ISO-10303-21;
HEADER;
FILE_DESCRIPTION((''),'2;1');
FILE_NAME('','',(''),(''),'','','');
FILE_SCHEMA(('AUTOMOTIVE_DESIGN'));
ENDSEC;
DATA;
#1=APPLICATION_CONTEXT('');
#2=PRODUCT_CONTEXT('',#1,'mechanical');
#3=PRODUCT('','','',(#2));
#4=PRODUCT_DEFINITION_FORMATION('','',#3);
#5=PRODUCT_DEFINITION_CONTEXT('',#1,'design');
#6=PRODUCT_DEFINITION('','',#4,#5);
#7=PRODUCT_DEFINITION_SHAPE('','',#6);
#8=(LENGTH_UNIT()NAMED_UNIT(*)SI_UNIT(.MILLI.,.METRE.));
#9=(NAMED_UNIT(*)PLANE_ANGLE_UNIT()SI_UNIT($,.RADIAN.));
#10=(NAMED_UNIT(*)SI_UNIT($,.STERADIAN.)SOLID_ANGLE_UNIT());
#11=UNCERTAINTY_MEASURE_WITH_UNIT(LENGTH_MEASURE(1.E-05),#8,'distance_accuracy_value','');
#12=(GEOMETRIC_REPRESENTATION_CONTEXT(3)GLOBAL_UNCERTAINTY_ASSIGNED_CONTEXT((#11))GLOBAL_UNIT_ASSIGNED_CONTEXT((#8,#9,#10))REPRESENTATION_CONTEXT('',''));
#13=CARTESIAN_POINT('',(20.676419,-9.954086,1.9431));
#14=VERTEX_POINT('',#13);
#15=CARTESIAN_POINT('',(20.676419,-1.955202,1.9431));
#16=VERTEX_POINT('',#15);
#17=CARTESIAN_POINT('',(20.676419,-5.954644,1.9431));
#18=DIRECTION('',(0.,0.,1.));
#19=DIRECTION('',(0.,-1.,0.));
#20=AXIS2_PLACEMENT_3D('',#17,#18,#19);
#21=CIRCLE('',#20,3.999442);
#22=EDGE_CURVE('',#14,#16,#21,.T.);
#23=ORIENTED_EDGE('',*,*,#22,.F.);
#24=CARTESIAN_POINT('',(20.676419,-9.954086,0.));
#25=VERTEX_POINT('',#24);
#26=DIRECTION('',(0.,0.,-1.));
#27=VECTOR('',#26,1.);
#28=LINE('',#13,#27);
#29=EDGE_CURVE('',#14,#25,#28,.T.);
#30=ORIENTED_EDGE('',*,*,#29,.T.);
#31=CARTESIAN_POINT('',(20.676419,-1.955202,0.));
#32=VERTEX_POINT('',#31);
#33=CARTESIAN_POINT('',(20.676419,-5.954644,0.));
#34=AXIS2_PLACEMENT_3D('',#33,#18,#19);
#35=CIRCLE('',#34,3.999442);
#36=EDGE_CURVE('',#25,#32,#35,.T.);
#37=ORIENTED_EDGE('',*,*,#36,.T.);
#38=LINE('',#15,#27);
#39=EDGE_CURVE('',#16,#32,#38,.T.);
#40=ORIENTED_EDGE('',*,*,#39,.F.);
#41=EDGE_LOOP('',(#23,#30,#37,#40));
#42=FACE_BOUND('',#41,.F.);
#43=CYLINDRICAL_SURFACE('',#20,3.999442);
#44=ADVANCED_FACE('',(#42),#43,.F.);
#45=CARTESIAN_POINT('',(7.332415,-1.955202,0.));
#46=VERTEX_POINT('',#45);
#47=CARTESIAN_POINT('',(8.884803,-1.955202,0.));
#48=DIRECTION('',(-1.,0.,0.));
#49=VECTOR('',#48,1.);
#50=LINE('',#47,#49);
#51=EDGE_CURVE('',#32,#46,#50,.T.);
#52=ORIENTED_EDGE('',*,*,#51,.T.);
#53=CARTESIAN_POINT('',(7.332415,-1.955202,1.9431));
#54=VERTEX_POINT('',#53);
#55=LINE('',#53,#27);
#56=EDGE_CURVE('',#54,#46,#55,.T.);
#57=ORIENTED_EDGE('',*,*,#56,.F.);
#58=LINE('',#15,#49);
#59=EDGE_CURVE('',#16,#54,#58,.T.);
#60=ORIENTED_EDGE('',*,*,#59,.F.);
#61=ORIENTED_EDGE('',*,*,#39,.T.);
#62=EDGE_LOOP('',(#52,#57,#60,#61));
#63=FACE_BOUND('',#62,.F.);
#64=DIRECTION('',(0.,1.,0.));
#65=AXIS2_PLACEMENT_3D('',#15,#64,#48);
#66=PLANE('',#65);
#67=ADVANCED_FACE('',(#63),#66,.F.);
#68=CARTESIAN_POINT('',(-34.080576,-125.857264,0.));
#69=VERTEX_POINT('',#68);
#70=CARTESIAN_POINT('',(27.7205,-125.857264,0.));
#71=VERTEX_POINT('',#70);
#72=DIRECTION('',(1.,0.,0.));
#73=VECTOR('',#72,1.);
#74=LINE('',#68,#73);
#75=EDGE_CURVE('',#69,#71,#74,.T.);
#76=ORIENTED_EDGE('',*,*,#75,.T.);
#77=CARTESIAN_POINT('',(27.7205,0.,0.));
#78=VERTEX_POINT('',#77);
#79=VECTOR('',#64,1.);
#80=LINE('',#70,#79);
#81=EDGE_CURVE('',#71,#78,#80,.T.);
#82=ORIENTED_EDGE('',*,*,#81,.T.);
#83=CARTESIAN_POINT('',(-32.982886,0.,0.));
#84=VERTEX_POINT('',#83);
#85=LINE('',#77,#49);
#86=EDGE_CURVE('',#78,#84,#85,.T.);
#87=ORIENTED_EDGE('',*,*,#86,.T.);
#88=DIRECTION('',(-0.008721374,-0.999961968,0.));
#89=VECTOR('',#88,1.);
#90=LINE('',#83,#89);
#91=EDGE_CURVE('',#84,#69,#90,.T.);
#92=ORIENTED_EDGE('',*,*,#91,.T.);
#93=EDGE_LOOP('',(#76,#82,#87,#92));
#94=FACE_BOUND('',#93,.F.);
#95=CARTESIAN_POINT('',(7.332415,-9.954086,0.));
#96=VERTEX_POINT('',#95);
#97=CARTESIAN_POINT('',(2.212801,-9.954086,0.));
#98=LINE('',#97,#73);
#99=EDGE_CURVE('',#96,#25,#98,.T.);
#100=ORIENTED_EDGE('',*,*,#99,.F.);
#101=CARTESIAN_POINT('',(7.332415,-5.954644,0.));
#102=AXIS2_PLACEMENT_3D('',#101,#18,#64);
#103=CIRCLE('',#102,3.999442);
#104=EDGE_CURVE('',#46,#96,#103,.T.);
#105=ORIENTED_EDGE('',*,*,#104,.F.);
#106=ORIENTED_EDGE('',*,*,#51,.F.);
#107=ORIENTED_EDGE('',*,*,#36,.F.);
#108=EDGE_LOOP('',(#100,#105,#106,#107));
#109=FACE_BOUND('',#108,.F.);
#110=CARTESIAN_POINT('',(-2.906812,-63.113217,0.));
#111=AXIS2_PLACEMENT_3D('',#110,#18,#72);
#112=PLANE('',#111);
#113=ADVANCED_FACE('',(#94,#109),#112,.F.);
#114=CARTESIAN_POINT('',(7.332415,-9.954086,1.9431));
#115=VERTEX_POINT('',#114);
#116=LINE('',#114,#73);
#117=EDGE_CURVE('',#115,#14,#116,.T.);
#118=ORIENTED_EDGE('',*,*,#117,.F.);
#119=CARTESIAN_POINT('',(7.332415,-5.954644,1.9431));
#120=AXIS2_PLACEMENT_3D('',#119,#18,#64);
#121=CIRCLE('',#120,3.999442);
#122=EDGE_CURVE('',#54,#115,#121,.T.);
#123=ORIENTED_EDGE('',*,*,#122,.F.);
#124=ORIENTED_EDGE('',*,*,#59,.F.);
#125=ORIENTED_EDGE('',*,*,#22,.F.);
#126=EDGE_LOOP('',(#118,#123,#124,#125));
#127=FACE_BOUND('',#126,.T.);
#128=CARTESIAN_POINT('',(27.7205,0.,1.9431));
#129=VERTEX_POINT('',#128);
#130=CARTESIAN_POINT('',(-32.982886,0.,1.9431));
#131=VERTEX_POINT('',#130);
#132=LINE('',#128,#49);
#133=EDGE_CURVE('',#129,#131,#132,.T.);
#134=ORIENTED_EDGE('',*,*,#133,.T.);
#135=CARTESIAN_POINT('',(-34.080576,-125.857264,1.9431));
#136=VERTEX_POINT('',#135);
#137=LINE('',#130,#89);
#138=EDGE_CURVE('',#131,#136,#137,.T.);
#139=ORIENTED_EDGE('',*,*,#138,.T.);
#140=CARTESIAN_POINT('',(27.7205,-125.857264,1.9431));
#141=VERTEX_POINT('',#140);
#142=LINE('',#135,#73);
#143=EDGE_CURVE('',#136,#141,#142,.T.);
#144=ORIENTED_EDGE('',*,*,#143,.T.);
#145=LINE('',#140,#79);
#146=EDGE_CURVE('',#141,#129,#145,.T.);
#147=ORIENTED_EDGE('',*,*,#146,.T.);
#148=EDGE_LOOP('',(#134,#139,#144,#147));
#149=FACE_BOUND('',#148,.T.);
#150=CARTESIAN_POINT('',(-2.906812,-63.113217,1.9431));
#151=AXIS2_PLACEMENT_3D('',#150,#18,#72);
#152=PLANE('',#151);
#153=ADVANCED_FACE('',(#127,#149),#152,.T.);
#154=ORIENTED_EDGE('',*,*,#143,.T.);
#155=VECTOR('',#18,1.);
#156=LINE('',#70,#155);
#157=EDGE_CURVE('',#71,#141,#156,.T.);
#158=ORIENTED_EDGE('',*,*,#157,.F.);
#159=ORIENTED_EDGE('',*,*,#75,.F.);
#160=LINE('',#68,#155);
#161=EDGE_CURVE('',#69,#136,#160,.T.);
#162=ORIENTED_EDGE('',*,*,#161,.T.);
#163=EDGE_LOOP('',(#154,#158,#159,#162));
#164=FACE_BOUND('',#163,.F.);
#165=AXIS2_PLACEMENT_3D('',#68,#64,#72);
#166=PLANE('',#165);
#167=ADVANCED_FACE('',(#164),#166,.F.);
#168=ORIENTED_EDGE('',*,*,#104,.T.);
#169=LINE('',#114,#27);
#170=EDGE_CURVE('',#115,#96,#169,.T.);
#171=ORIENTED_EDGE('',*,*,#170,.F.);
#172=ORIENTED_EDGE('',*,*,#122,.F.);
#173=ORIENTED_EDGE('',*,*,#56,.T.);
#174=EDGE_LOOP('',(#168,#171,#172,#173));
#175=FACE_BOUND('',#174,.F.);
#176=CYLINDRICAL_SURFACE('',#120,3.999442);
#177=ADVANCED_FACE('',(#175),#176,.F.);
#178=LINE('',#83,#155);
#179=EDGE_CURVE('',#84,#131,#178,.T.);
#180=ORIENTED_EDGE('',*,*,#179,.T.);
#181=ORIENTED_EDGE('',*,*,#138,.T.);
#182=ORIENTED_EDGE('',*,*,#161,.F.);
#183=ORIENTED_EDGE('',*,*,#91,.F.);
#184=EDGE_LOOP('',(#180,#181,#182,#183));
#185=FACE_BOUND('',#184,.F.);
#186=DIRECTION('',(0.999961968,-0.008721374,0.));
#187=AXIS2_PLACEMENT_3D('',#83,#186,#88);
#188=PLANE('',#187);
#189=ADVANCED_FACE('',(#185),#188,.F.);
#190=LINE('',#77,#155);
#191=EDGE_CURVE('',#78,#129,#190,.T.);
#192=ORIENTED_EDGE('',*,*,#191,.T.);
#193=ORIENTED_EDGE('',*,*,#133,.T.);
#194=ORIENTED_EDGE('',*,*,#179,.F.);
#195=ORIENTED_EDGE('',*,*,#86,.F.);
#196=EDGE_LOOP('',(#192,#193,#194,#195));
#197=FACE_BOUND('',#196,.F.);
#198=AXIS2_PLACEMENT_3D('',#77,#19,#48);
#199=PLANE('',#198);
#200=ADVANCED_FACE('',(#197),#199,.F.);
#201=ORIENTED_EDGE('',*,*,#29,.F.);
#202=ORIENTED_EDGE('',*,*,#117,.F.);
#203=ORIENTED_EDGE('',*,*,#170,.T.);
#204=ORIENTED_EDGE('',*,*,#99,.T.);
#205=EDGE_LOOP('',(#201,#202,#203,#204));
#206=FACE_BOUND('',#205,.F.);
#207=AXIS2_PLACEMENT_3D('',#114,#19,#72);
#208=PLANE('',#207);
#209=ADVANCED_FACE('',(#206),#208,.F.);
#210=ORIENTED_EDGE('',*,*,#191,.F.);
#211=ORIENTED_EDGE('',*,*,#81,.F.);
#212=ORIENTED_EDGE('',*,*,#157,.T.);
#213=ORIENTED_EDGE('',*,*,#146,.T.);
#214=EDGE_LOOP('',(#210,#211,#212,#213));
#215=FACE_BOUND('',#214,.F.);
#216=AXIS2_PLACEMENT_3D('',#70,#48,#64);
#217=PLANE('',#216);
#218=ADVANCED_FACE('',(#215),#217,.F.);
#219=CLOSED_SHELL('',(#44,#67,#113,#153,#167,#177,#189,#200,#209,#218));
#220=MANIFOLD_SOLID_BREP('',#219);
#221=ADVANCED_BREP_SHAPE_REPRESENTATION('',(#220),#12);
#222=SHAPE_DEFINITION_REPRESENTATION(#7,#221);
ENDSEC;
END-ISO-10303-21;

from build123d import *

# Parameters (mm, degrees)
F1_DEPTH = 1.9431
F3_DEPTH = 25.4


with BuildPart() as f1:
    # F0 (on Top) → F1 (new body)
    with BuildSketch(Plane.XY):
        Polygon((27.7205, 0), (-32.982886, 0), (-34.080576, -125.857264), (27.7205, -125.857264), align=None)
    extrude(amount=F1_DEPTH)

    # F2 (on face) → F3 (cut)
    with BuildSketch(Plane.XY.offset(1.9431)):
        with BuildLine():
            Line((7.332415, -4.307757), (7.332415, -1.955202))
            ThreePointArc((7.332415, -1.955202), (3.332973, -5.954644), (7.332415, -9.954086))
            Line((7.332415, -9.954086), (7.332415, -4.307757))
        make_face()
        Polygon((14.004417, -4.307757), (14.004417, -1.955202), (7.332415, -1.955202), (7.332415, -4.307757), (7.332415, -9.954086), (14.004417, -9.954086), align=None)
        with BuildLine():
            Line((20.676419, -1.955202), (20.676419, -4.307757))
            Line((20.676419, -4.307757), (20.676419, -9.954086))
            ThreePointArc((20.676419, -9.954086), (24.675861, -5.954644), (20.676419, -1.955202))
        make_face()
        Polygon((20.676419, -9.954086), (20.676419, -4.307757), (20.676419, -1.955202), (14.004417, -1.955202), (14.004417, -4.307757), (14.004417, -9.954086), (14.634087, -9.954086), align=None)
    extrude(amount=-F3_DEPTH, mode=Mode.SUBTRACT)


solid = f1.part
